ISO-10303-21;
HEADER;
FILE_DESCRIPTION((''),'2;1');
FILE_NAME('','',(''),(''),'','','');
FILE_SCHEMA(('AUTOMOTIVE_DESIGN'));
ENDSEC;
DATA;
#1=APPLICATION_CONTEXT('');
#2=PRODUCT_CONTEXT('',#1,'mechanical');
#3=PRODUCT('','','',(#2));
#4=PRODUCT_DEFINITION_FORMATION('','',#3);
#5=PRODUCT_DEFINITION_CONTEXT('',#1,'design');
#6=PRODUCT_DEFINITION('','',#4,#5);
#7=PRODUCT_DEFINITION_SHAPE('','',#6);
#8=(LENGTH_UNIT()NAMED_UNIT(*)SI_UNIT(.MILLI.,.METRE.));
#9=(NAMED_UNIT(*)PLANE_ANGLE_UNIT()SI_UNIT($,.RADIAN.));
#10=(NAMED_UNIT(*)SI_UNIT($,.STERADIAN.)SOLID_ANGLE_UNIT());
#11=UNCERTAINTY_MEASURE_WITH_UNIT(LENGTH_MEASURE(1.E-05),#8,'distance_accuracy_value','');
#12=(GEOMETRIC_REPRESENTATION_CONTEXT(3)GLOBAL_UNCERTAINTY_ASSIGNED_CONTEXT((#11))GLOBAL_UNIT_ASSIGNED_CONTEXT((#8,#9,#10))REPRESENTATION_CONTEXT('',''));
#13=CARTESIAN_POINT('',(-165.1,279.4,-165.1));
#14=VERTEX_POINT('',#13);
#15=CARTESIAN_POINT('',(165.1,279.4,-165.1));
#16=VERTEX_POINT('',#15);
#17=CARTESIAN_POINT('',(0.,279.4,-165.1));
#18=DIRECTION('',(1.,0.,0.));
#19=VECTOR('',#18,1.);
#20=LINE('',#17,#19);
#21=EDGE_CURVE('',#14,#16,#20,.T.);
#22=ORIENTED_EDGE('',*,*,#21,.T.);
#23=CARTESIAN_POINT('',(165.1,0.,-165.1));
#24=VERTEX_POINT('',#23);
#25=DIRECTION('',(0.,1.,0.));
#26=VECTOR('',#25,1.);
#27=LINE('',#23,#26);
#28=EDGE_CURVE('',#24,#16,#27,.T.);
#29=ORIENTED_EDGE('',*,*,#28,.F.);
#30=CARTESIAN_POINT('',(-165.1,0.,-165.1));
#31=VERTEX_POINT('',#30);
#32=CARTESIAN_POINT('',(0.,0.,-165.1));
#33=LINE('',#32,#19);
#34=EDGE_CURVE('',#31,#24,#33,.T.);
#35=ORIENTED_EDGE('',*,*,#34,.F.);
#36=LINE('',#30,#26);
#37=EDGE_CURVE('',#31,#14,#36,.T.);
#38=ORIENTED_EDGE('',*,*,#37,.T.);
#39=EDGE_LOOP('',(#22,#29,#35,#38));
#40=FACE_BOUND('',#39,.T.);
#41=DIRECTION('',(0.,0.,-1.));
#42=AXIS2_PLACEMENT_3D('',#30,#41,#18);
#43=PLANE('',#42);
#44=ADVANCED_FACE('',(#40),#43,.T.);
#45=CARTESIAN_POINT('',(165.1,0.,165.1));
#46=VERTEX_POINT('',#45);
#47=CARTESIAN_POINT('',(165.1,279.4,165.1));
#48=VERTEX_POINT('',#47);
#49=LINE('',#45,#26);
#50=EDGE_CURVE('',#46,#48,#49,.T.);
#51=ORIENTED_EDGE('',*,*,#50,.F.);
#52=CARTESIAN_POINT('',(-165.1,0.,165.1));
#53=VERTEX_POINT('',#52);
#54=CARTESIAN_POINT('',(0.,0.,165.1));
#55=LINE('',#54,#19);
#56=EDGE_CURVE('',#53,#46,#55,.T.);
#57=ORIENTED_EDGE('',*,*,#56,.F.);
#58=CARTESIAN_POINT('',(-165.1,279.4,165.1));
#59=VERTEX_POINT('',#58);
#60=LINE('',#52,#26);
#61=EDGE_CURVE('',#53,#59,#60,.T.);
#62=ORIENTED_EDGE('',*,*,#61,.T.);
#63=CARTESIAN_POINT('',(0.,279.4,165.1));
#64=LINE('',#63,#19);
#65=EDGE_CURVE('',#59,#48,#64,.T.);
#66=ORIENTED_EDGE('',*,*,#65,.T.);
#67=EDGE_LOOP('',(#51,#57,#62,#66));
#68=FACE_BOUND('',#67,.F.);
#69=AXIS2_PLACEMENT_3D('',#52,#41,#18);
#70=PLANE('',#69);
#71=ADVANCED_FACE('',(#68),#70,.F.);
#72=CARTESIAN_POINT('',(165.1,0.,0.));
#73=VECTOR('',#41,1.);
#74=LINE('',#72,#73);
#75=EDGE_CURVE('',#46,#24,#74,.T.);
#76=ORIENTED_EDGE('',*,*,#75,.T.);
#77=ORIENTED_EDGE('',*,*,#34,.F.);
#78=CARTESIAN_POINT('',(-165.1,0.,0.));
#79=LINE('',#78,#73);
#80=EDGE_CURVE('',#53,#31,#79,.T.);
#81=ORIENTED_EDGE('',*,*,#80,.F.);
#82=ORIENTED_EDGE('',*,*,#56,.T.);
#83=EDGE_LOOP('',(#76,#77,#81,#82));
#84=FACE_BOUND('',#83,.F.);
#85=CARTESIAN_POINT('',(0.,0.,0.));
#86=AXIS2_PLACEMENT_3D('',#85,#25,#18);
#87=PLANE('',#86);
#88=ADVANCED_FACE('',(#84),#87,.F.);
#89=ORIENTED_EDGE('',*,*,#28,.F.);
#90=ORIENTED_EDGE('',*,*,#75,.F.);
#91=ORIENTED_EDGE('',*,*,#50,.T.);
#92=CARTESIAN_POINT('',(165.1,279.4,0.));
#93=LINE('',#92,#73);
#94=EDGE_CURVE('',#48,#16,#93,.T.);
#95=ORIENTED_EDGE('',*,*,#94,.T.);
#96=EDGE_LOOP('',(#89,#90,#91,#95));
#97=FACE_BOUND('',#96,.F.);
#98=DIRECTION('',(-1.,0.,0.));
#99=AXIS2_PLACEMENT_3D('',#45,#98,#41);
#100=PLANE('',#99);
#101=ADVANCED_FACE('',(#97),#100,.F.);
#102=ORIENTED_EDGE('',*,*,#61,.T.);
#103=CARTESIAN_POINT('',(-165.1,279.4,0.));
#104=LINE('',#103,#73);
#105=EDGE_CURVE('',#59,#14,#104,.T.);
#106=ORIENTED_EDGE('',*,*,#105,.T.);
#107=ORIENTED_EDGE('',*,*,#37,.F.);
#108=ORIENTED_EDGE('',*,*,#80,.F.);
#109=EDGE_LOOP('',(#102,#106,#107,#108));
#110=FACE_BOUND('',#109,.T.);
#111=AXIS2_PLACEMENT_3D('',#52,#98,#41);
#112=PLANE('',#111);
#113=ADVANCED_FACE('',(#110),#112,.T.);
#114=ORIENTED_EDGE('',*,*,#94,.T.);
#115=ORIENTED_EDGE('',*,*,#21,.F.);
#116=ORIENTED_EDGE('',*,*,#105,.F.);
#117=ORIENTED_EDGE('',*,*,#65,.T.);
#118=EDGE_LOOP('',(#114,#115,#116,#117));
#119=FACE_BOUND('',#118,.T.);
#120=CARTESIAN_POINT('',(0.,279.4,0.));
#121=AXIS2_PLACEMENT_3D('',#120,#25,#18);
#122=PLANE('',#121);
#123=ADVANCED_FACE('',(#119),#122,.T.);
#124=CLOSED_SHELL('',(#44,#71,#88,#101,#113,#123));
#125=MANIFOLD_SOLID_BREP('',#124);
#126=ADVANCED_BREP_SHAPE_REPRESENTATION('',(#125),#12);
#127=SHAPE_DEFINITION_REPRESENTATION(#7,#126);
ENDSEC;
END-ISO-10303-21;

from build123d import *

# Parameters (mm, degrees)
SKETCH1_W           = 330.2
SKETCH1_H           = 330.2
BOSS_EXTRUDE1_DEPTH = 279.4


with BuildPart() as part:
    # Sketch1 → Boss-Extrude1 (new body)
    with BuildSketch(Plane(origin=(0, 0, 0), x_dir=(1, 0, 0), z_dir=(0, 1, 0))):
        Rectangle(SKETCH1_W, SKETCH1_H)
    extrude(amount=BOSS_EXTRUDE1_DEPTH)


solid = part.part
